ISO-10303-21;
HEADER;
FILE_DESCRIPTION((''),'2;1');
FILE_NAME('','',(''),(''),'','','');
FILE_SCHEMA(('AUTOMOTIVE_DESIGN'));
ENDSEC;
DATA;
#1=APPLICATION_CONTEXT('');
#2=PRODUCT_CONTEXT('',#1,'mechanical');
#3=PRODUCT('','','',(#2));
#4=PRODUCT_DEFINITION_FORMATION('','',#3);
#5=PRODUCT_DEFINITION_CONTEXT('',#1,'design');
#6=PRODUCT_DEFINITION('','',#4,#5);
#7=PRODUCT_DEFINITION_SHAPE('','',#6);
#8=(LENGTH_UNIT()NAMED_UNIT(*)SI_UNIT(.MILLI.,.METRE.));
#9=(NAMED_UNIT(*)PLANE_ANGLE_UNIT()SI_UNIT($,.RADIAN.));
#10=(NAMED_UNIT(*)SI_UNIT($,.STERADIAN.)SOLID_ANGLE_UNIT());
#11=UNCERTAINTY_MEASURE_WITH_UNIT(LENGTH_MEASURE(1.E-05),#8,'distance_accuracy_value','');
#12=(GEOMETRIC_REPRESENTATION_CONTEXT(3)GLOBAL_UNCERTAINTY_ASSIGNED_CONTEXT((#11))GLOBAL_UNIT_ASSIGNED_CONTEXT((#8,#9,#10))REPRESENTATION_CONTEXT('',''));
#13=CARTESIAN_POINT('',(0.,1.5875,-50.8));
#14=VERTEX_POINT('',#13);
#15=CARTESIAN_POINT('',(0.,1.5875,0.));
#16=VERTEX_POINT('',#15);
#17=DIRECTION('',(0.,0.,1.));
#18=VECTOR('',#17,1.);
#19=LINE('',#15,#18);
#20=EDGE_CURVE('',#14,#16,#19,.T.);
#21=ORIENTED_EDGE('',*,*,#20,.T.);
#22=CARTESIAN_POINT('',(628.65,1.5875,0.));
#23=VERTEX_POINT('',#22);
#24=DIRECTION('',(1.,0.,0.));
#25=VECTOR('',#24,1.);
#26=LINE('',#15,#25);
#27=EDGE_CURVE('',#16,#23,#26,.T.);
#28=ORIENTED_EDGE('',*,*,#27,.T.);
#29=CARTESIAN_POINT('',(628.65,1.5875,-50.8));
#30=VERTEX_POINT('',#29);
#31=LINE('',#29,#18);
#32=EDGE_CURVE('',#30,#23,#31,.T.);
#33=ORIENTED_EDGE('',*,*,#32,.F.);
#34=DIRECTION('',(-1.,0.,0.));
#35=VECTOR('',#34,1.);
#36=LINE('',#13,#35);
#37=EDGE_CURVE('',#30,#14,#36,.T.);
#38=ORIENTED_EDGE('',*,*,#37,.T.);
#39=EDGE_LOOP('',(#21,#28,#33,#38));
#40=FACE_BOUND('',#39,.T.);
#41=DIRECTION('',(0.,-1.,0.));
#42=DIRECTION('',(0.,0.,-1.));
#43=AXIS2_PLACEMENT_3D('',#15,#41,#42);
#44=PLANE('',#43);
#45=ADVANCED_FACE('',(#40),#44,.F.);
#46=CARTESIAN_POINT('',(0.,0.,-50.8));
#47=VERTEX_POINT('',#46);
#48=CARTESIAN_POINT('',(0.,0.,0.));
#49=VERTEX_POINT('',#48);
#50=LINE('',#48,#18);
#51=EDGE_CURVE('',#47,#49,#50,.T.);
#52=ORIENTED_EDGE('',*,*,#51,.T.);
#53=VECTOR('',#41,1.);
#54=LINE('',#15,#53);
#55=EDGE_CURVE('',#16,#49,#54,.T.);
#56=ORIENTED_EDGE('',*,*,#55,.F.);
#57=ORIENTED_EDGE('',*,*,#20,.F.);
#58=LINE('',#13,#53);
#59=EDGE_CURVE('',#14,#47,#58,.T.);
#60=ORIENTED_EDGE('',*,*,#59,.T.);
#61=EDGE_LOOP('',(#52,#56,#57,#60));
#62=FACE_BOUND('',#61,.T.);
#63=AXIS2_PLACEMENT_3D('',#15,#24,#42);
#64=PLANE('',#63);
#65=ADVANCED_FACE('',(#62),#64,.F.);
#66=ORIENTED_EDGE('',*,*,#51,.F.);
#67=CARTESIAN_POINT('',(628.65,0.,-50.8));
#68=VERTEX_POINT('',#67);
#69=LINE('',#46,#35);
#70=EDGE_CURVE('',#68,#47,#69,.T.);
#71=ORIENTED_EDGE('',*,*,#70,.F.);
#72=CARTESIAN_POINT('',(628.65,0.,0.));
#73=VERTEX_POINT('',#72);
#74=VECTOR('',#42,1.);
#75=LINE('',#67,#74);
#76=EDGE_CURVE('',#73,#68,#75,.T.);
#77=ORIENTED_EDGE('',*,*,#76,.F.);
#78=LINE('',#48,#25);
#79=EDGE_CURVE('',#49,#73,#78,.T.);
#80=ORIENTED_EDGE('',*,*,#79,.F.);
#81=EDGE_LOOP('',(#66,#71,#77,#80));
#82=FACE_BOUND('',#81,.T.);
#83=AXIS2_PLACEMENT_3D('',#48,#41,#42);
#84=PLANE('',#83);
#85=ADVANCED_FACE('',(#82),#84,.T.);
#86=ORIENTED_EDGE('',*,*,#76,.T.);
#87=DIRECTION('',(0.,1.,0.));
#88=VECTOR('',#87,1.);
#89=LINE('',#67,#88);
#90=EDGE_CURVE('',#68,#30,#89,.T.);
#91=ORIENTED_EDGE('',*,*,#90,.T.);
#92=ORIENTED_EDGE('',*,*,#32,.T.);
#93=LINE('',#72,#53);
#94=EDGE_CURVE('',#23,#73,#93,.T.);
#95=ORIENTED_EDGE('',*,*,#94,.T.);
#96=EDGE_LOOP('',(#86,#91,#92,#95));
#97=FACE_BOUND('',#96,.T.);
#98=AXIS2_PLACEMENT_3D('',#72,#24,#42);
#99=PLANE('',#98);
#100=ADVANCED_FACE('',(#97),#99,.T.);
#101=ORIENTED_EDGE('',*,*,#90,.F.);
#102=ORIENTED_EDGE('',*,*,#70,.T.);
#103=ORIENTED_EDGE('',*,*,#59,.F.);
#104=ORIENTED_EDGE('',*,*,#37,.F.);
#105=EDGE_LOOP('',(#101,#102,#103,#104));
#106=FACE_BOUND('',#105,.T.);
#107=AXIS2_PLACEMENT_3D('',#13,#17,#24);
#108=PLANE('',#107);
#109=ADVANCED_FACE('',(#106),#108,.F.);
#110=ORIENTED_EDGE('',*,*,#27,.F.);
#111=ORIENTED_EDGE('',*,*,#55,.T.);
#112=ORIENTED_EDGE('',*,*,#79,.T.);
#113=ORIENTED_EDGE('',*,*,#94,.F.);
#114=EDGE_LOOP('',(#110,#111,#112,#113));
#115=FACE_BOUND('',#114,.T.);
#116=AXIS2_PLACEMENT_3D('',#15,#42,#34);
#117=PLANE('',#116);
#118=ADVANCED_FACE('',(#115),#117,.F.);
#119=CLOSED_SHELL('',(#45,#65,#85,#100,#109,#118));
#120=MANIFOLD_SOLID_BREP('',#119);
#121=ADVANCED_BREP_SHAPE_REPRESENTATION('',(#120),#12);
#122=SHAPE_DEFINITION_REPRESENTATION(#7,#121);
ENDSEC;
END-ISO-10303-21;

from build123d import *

# Parameters (mm, degrees)
SKETCH1_W           = 558.8
SKETCH1_H           = 50.8
BOSS_EXTRUDE1_DEPTH = 1.5875
SKETCH2_W           = 50.8
SKETCH2_H           = 1.5875
BOSS_EXTRUDE2_DEPTH = 69.85


with BuildPart() as part:
    # Sketch1 → Boss-Extrude1 (new body)
    with BuildSketch(Plane(origin=(0, 0, 0), x_dir=(1, 0, 0), z_dir=(0, 1, 0))):
        with Locations((279.4, 25.4)):
            Rectangle(SKETCH1_W, SKETCH1_H)
    extrude(amount=BOSS_EXTRUDE1_DEPTH)

    # Sketch2 → Boss-Extrude2 (add)
    with BuildSketch(Plane(origin=(558.8, 0, 0), x_dir=(0, 0, -1), z_dir=(1, 0, 0))):
        with Locations((25.4, 0.79375)):
            Rectangle(SKETCH2_W, SKETCH2_H)
    extrude(amount=BOSS_EXTRUDE2_DEPTH)


solid = part.part
